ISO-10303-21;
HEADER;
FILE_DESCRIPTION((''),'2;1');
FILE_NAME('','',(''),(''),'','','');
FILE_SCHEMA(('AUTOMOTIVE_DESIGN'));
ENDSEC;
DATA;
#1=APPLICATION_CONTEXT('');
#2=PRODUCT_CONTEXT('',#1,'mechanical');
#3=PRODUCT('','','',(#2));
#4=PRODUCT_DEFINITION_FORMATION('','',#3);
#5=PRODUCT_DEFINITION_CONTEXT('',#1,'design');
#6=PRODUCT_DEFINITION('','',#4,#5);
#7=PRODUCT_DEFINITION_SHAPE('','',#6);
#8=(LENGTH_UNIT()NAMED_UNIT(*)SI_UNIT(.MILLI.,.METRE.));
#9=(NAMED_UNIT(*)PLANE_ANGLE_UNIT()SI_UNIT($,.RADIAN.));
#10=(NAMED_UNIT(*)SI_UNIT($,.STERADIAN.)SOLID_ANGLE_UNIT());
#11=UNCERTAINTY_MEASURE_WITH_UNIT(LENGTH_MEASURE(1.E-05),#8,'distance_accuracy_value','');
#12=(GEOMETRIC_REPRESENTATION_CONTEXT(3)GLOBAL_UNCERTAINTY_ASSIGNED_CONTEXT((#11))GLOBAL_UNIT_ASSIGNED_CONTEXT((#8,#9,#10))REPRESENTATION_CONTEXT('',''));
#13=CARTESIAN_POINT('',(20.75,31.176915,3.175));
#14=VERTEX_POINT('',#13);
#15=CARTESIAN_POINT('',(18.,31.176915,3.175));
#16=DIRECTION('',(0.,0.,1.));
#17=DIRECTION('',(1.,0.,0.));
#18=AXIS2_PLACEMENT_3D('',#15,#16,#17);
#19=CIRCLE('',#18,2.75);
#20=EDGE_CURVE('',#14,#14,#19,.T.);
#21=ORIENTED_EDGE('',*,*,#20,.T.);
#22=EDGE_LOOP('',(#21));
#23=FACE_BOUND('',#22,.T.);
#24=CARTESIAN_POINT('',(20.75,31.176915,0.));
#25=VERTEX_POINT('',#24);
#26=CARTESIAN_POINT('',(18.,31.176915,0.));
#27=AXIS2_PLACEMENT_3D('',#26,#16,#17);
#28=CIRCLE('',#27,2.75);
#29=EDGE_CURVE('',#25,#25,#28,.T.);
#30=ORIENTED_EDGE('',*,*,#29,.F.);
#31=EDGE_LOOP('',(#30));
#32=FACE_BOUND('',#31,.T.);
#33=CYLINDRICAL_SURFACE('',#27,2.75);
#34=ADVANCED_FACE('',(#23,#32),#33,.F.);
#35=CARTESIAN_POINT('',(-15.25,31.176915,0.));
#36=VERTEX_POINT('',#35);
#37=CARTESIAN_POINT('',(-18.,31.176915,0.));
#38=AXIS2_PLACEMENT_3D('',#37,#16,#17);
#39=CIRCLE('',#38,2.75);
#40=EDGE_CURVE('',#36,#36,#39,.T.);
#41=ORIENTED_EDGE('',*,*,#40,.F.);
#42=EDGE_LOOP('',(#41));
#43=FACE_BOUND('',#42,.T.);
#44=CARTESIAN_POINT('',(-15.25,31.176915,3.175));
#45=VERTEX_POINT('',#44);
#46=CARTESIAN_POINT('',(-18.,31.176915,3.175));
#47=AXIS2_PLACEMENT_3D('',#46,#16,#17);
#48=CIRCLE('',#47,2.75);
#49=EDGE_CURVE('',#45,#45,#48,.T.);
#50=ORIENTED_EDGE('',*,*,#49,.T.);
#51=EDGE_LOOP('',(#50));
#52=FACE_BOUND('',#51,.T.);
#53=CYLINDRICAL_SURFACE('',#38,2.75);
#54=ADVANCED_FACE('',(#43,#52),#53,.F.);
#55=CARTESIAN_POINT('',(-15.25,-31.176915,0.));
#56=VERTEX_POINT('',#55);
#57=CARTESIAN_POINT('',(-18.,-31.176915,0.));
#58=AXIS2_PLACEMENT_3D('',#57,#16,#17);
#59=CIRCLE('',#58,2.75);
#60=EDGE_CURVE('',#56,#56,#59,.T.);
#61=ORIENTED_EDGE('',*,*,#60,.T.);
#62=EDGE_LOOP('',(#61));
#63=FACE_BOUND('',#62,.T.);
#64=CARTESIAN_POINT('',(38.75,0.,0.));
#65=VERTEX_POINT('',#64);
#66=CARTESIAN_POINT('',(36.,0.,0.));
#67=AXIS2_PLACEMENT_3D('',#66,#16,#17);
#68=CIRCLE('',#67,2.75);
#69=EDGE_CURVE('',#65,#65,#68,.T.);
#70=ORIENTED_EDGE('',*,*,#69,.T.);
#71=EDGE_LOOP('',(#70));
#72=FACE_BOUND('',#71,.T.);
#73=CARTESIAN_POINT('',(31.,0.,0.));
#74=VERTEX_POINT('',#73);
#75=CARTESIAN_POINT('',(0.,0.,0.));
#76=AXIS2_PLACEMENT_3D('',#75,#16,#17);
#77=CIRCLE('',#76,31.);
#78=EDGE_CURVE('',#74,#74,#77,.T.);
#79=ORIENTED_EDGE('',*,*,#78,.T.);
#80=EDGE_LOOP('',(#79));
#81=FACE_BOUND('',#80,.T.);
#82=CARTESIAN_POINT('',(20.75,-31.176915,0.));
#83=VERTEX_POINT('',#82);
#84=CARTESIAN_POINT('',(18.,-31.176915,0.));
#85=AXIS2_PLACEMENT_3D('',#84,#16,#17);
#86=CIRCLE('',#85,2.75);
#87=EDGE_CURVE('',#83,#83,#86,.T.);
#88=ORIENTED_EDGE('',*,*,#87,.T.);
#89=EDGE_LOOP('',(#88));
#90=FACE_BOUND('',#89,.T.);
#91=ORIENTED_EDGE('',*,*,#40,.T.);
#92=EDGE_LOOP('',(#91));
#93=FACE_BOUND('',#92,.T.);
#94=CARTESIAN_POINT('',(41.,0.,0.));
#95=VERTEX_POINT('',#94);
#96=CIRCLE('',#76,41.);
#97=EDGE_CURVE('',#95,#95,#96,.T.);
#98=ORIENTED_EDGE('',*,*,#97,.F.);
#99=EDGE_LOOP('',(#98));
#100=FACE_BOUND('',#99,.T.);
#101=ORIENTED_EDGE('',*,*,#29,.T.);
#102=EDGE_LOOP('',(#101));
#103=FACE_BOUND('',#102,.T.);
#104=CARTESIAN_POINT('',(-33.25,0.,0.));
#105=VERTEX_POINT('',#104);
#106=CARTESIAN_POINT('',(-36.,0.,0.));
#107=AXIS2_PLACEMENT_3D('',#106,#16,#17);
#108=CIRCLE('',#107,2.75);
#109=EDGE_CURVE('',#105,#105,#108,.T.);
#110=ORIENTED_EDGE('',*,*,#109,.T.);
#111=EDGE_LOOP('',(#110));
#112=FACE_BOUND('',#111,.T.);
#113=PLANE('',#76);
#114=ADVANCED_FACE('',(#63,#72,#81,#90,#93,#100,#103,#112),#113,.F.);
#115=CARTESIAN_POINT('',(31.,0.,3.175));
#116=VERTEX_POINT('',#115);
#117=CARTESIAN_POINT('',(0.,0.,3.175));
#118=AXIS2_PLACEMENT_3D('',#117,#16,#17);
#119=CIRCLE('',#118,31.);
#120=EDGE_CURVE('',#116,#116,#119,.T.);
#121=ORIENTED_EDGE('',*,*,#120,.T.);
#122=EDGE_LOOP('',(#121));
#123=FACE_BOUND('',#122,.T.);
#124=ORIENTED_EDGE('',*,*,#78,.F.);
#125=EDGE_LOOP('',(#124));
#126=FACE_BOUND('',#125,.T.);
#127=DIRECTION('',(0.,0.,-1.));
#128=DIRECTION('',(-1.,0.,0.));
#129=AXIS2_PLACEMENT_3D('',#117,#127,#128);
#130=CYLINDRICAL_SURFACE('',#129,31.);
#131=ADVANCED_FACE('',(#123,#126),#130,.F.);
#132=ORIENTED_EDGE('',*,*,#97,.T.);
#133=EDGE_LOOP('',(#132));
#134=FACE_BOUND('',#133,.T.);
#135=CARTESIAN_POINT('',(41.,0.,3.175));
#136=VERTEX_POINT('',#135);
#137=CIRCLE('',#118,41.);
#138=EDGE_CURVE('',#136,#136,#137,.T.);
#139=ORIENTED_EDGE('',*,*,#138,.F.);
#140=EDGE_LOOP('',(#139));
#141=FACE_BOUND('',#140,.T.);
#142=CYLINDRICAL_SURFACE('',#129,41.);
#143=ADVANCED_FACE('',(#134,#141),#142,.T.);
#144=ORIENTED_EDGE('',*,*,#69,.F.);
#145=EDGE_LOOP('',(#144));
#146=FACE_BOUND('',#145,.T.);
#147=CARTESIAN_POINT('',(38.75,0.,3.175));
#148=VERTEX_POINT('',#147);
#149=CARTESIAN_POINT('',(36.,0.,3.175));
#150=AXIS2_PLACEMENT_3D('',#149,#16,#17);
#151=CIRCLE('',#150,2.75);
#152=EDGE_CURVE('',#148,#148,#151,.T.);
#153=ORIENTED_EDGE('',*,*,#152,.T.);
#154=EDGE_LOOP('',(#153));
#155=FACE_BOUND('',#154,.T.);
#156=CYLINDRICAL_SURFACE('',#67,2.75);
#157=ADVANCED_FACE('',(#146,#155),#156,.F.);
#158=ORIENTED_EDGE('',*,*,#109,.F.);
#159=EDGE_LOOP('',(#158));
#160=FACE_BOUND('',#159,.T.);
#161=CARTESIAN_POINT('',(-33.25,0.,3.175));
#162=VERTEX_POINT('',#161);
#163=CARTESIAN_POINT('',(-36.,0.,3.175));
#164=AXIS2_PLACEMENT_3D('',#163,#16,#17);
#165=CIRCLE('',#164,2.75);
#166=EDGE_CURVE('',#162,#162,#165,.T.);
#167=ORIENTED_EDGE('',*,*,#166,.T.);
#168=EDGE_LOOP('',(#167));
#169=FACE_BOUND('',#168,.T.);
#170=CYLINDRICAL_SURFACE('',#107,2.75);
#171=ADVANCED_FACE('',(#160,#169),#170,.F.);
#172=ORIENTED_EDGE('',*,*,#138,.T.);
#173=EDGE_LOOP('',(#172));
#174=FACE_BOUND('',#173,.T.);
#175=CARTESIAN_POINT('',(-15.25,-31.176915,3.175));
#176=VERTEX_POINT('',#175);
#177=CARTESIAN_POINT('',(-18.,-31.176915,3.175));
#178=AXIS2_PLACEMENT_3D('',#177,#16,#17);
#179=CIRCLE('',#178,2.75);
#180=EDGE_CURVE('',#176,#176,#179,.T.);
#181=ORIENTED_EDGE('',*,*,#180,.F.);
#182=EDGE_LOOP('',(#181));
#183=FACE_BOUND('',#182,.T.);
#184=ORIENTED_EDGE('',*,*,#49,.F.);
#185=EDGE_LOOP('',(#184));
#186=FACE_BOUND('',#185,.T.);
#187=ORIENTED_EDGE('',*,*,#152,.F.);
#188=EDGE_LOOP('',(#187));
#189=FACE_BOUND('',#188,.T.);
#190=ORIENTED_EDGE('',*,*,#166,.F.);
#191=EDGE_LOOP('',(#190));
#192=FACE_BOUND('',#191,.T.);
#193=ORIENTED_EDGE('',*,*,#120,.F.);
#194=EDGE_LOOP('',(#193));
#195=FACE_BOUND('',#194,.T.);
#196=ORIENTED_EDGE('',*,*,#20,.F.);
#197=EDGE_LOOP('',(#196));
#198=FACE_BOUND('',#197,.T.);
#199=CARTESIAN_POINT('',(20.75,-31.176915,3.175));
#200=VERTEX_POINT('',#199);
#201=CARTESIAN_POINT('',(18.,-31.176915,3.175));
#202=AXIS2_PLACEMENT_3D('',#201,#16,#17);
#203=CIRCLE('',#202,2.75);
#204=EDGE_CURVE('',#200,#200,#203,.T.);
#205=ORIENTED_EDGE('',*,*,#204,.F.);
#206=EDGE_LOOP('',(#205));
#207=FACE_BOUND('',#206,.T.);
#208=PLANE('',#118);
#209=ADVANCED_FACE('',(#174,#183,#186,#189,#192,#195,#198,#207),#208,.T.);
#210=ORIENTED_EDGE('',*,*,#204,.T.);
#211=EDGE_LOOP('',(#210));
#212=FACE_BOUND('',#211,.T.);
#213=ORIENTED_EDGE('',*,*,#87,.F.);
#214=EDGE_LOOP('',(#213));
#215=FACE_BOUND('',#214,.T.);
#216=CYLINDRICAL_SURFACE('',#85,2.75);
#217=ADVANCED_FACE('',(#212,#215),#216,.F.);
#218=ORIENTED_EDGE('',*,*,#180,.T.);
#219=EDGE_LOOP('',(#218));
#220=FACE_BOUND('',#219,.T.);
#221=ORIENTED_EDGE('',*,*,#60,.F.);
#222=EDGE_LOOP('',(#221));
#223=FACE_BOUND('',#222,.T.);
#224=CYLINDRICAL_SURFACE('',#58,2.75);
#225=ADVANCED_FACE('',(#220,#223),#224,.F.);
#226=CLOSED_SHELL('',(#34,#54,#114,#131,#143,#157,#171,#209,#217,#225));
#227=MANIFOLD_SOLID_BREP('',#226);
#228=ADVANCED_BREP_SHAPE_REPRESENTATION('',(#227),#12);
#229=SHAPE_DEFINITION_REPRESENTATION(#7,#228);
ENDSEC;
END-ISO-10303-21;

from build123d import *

# Parameters (mm, degrees)
SKETCH1_R           = 41
SKETCH1_R_2         = 31
BOSS_EXTRUDE1_DEPTH = 3.175
SKETCH2_R           = 2.75
CUT_EXTRUDE2_DEPTH  = 4.175


with BuildPart() as part:
    # Sketch1 → Boss-Extrude1 (new body)
    with BuildSketch(Plane.XY):
        Circle(SKETCH1_R)
        Circle(SKETCH1_R_2, mode=Mode.SUBTRACT)
    extrude(amount=BOSS_EXTRUDE1_DEPTH)

    # Sketch2 → Cut-Extrude2 (cut, through all)
    with BuildSketch(Plane.XY.offset(3.175)):
        with Locations((-18, 31.176914536)):
            Circle(SKETCH2_R)
        with Locations((18, 31.176914536)):
            Circle(SKETCH2_R)
        with Locations((36, 0)):
            Circle(SKETCH2_R)
        with Locations((18, -31.176914536)):
            Circle(SKETCH2_R)
        with Locations((-18, -31.176914536)):
            Circle(SKETCH2_R)
        with Locations((-36, 0)):
            Circle(SKETCH2_R)
    extrude(amount=-CUT_EXTRUDE2_DEPTH, mode=Mode.SUBTRACT)


solid = part.part
